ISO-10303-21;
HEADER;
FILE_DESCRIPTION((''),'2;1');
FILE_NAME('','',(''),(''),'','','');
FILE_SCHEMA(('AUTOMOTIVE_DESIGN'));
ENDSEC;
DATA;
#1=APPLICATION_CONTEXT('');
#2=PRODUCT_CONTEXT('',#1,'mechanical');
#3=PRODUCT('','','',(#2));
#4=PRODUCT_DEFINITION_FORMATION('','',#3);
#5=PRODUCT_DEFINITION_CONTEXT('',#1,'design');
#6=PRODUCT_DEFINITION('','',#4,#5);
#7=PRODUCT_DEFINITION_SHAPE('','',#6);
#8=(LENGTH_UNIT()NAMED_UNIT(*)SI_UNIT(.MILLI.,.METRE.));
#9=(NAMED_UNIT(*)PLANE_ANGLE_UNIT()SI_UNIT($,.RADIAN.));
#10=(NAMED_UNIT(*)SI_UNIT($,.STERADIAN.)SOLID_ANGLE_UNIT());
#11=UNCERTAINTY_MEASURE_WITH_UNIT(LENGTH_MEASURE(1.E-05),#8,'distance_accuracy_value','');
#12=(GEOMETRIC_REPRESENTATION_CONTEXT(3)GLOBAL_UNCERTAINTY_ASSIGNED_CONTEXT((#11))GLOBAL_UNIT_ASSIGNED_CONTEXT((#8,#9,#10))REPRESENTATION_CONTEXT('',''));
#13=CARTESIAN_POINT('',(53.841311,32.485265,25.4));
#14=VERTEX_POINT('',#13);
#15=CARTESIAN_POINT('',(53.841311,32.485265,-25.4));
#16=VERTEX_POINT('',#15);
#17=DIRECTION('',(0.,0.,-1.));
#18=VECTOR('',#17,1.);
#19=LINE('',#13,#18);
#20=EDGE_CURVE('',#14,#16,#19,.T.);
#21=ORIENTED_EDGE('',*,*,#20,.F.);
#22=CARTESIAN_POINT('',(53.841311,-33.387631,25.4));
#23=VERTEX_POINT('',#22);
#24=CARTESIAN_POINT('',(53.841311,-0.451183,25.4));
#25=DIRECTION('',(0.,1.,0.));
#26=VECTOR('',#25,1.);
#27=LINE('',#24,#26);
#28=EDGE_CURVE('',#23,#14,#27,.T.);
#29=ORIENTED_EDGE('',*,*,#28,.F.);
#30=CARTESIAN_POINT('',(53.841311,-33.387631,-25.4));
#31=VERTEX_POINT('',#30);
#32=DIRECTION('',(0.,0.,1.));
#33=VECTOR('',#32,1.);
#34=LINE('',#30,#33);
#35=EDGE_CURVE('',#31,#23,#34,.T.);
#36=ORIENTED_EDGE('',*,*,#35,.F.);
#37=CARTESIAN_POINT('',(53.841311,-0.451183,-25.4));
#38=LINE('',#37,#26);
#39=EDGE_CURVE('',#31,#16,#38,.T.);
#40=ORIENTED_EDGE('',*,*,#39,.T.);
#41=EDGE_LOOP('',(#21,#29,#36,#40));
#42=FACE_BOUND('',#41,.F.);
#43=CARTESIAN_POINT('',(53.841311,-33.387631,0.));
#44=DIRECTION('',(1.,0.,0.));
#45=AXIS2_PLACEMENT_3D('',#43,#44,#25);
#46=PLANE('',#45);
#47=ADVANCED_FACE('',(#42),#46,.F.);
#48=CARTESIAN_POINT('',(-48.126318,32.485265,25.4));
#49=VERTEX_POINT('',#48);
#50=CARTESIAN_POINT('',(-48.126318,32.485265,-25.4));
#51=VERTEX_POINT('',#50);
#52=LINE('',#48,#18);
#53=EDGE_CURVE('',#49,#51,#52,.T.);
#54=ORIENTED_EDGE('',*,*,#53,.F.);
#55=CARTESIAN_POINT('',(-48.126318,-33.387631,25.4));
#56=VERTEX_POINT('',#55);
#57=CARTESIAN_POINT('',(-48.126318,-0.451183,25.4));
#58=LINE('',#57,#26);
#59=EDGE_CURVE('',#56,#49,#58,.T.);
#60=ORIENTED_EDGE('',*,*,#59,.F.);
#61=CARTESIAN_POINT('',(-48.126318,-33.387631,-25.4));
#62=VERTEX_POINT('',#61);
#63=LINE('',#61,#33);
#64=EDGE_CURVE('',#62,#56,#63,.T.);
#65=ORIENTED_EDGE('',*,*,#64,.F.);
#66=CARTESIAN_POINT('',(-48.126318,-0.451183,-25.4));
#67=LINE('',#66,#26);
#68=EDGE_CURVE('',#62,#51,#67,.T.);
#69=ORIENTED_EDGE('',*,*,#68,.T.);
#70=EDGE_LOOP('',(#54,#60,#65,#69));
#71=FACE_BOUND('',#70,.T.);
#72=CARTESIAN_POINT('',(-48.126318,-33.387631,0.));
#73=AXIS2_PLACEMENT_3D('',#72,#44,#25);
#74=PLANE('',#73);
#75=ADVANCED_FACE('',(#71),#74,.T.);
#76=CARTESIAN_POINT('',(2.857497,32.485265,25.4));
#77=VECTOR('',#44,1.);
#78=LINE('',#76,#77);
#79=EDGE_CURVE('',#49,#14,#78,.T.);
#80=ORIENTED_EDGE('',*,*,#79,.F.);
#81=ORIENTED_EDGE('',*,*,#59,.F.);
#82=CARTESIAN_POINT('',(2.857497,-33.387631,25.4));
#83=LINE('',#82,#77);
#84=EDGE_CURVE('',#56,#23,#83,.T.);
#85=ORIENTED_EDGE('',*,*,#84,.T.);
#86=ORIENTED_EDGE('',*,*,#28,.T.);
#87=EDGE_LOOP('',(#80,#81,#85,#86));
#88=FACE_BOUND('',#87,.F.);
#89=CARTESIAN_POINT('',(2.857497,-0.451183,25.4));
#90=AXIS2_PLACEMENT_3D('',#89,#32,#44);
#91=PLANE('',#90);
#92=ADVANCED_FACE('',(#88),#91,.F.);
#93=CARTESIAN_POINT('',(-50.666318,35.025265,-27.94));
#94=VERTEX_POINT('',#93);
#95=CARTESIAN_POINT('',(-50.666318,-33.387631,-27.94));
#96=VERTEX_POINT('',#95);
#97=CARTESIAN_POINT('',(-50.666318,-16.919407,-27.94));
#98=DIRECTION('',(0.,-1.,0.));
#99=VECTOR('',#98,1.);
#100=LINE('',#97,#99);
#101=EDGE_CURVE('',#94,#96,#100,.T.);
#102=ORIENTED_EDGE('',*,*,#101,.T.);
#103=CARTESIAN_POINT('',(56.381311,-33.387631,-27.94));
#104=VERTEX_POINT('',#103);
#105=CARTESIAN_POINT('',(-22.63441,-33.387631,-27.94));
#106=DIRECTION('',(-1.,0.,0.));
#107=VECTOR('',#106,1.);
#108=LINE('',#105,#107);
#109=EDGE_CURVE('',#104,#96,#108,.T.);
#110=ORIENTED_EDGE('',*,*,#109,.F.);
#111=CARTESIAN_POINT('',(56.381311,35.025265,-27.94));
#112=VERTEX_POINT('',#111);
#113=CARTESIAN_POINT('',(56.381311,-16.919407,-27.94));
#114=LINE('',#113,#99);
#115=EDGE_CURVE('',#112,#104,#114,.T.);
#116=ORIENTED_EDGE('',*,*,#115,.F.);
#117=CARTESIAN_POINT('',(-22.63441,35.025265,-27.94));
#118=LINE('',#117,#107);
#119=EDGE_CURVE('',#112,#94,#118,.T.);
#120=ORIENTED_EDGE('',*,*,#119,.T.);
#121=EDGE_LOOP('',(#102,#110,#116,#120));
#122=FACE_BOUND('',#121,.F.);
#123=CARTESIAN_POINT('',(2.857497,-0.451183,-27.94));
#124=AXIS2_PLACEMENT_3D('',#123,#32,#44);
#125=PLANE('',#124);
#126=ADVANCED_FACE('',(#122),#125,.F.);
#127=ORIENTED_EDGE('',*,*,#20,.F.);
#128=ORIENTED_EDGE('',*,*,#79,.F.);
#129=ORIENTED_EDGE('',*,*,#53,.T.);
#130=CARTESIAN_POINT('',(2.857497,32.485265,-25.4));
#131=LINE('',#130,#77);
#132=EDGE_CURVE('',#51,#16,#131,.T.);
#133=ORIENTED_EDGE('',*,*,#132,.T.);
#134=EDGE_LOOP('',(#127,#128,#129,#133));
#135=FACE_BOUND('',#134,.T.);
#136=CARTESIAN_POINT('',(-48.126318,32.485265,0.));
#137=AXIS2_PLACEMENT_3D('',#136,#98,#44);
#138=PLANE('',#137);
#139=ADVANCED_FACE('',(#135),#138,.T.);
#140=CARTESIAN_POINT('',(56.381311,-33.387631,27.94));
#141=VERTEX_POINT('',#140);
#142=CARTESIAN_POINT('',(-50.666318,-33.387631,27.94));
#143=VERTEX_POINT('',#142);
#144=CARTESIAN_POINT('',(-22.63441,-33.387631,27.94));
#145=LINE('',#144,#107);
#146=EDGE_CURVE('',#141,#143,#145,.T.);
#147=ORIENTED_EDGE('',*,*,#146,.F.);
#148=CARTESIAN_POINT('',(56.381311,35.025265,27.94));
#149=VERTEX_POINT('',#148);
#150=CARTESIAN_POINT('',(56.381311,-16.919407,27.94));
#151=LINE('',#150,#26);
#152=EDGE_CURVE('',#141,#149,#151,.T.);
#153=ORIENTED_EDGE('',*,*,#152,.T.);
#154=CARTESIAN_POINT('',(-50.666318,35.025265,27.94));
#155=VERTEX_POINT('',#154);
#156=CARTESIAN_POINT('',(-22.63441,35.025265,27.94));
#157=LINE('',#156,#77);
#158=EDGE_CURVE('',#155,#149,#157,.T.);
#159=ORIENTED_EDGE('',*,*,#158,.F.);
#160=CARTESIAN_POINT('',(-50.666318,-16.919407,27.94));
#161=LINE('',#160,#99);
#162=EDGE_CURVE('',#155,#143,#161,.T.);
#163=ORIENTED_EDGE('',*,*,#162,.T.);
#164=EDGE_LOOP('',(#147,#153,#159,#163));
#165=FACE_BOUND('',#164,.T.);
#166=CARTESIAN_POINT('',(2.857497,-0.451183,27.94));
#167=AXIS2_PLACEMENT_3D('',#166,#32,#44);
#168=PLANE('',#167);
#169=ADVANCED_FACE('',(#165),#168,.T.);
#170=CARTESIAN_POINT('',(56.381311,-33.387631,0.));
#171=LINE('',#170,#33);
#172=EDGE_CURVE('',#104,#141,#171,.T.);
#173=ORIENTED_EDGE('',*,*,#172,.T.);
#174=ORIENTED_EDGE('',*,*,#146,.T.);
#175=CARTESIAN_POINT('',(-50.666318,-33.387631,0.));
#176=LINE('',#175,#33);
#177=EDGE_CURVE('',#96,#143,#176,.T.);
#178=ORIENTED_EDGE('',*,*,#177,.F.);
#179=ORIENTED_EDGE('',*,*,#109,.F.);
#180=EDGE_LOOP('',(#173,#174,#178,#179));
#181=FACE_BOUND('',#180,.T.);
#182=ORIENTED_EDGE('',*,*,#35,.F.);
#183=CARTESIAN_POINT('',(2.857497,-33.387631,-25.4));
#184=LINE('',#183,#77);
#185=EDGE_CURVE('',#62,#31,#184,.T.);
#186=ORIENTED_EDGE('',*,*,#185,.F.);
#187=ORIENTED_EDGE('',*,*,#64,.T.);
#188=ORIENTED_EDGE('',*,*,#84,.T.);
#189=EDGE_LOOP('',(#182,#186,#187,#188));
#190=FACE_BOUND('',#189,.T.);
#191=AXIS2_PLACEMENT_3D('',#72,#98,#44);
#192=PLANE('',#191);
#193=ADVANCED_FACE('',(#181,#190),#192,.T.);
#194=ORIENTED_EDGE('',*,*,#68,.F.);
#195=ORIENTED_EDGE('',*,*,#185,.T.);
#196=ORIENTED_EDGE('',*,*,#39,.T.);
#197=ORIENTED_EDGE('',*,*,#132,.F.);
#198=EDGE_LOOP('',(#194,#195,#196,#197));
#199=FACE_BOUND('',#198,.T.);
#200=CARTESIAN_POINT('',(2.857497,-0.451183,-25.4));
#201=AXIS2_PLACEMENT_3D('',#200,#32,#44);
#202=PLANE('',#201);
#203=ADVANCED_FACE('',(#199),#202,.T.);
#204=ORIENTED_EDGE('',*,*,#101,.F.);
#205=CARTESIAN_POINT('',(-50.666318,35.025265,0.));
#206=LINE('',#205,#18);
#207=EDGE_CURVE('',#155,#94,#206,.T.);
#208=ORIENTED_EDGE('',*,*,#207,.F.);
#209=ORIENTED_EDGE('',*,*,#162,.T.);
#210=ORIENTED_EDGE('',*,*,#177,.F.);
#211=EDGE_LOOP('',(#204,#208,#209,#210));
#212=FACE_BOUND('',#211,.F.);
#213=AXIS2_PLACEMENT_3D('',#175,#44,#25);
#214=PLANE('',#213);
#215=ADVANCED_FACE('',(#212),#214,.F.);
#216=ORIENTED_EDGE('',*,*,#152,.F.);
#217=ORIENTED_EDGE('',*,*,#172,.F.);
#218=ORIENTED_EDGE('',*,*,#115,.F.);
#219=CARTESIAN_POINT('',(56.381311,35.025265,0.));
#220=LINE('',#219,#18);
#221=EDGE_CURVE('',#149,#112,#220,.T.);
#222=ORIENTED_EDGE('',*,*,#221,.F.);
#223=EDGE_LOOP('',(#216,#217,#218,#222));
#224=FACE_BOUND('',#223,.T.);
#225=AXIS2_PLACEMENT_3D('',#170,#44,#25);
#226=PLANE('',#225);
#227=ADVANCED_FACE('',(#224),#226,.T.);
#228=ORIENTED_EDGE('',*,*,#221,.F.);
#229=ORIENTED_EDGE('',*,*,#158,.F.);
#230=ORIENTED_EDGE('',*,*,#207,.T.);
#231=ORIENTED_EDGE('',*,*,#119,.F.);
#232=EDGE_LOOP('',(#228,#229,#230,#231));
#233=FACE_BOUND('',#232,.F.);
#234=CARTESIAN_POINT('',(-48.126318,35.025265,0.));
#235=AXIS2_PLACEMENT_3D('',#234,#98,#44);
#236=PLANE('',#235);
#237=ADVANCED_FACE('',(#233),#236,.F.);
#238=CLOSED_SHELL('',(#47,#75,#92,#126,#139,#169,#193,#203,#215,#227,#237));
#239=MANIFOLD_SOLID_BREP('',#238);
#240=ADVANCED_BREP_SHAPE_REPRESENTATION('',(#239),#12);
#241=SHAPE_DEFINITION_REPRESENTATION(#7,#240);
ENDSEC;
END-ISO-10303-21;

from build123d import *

# Parameters (mm, degrees)
F0_W     = 101.9676290452
F0_H     = 65.8728964627
F1_DEPTH = 25.4
F2_T     = 2.54


with BuildPart() as f1:
    # F0 (on Top) → F1 (new body, symmetric)
    with BuildSketch(Plane.XY):
        with Locations((2.857496962, -0.4511829466)):
            Rectangle(F0_W, F0_H)
    extrude(amount=F1_DEPTH, both=True)

    # F2
    f2_openings = [f1.faces().sort_by_distance(p)[0] for p in [
        (2.857497, -33.387631, 0),
    ]]
    offset(amount=F2_T, openings=f2_openings, kind=Kind.INTERSECTION)


solid = f1.part
